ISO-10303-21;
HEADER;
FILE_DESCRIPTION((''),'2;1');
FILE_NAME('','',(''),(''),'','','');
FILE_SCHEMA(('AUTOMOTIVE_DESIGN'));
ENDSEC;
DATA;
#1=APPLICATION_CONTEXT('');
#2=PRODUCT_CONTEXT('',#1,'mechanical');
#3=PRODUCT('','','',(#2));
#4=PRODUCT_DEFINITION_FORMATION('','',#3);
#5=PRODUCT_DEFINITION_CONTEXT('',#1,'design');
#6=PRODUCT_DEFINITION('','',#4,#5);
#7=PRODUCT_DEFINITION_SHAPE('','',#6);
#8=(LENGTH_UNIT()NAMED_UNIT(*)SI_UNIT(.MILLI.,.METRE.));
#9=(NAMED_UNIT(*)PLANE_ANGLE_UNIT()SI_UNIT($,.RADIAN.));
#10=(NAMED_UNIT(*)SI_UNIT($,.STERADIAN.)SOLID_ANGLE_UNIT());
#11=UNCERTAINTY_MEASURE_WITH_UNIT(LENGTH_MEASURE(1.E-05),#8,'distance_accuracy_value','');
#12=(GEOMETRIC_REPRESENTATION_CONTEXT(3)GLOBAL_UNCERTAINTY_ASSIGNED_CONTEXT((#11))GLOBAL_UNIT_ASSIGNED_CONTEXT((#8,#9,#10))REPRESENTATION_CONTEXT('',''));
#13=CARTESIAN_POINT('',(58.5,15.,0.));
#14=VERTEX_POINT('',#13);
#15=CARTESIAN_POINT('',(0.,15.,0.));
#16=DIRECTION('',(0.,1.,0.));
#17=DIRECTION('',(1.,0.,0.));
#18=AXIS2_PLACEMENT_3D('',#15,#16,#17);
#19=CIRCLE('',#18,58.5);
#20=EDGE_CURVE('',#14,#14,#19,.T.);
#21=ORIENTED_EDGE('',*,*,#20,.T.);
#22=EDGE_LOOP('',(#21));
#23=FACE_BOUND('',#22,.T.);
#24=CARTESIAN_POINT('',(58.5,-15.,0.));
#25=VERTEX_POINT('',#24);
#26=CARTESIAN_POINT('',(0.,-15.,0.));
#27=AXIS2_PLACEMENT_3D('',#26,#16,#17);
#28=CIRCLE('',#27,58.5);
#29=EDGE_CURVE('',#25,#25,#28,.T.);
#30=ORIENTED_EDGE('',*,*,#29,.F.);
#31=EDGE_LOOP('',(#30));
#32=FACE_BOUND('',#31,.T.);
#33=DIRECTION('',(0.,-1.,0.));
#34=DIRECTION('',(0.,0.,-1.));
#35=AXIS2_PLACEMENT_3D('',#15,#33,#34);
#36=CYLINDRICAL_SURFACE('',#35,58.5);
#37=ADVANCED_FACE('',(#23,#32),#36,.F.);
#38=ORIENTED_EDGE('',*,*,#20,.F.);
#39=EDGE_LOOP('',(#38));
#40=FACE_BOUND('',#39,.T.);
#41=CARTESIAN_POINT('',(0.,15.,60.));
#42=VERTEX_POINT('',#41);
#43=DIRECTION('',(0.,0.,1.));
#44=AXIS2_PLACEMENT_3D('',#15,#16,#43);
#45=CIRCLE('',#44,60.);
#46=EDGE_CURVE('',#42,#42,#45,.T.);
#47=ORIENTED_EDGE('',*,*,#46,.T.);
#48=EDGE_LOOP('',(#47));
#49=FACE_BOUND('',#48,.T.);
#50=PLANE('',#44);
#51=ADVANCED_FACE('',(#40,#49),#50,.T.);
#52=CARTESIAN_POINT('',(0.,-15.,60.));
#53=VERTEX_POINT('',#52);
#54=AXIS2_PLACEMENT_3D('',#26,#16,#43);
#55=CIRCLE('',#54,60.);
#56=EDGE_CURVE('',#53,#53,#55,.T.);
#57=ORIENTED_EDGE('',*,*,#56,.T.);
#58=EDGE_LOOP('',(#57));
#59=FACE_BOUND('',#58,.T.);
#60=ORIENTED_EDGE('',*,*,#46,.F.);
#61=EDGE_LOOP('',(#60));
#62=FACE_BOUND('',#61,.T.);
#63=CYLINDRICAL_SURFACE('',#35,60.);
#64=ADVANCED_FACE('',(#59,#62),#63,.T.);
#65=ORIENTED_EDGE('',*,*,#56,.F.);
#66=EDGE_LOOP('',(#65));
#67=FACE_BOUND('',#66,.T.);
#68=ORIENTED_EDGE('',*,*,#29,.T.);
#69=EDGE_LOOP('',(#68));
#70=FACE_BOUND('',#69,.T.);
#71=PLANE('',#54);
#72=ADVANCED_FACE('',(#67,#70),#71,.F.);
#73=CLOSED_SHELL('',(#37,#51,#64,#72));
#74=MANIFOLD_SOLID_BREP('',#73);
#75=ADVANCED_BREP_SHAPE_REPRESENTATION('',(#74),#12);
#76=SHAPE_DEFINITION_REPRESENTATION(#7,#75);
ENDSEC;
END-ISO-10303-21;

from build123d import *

# Parameters (mm, degrees)
SCHIZZO1_R                = 60
SCHIZZO1_R_2              = 58.5
ESTRUSIONE_SOTTILE1_DEPTH = 15


with BuildPart() as part:
    # Schizzo1 → Estrusione-Sottile1 (new, symmetric)
    with BuildSketch(Plane(origin=(0, 0, 0), x_dir=(1, 0, 0), z_dir=(0, 1, 0))):
        Circle(SCHIZZO1_R)
        Circle(SCHIZZO1_R_2, mode=Mode.SUBTRACT)
    extrude(amount=ESTRUSIONE_SOTTILE1_DEPTH, both=True)


solid = part.part
